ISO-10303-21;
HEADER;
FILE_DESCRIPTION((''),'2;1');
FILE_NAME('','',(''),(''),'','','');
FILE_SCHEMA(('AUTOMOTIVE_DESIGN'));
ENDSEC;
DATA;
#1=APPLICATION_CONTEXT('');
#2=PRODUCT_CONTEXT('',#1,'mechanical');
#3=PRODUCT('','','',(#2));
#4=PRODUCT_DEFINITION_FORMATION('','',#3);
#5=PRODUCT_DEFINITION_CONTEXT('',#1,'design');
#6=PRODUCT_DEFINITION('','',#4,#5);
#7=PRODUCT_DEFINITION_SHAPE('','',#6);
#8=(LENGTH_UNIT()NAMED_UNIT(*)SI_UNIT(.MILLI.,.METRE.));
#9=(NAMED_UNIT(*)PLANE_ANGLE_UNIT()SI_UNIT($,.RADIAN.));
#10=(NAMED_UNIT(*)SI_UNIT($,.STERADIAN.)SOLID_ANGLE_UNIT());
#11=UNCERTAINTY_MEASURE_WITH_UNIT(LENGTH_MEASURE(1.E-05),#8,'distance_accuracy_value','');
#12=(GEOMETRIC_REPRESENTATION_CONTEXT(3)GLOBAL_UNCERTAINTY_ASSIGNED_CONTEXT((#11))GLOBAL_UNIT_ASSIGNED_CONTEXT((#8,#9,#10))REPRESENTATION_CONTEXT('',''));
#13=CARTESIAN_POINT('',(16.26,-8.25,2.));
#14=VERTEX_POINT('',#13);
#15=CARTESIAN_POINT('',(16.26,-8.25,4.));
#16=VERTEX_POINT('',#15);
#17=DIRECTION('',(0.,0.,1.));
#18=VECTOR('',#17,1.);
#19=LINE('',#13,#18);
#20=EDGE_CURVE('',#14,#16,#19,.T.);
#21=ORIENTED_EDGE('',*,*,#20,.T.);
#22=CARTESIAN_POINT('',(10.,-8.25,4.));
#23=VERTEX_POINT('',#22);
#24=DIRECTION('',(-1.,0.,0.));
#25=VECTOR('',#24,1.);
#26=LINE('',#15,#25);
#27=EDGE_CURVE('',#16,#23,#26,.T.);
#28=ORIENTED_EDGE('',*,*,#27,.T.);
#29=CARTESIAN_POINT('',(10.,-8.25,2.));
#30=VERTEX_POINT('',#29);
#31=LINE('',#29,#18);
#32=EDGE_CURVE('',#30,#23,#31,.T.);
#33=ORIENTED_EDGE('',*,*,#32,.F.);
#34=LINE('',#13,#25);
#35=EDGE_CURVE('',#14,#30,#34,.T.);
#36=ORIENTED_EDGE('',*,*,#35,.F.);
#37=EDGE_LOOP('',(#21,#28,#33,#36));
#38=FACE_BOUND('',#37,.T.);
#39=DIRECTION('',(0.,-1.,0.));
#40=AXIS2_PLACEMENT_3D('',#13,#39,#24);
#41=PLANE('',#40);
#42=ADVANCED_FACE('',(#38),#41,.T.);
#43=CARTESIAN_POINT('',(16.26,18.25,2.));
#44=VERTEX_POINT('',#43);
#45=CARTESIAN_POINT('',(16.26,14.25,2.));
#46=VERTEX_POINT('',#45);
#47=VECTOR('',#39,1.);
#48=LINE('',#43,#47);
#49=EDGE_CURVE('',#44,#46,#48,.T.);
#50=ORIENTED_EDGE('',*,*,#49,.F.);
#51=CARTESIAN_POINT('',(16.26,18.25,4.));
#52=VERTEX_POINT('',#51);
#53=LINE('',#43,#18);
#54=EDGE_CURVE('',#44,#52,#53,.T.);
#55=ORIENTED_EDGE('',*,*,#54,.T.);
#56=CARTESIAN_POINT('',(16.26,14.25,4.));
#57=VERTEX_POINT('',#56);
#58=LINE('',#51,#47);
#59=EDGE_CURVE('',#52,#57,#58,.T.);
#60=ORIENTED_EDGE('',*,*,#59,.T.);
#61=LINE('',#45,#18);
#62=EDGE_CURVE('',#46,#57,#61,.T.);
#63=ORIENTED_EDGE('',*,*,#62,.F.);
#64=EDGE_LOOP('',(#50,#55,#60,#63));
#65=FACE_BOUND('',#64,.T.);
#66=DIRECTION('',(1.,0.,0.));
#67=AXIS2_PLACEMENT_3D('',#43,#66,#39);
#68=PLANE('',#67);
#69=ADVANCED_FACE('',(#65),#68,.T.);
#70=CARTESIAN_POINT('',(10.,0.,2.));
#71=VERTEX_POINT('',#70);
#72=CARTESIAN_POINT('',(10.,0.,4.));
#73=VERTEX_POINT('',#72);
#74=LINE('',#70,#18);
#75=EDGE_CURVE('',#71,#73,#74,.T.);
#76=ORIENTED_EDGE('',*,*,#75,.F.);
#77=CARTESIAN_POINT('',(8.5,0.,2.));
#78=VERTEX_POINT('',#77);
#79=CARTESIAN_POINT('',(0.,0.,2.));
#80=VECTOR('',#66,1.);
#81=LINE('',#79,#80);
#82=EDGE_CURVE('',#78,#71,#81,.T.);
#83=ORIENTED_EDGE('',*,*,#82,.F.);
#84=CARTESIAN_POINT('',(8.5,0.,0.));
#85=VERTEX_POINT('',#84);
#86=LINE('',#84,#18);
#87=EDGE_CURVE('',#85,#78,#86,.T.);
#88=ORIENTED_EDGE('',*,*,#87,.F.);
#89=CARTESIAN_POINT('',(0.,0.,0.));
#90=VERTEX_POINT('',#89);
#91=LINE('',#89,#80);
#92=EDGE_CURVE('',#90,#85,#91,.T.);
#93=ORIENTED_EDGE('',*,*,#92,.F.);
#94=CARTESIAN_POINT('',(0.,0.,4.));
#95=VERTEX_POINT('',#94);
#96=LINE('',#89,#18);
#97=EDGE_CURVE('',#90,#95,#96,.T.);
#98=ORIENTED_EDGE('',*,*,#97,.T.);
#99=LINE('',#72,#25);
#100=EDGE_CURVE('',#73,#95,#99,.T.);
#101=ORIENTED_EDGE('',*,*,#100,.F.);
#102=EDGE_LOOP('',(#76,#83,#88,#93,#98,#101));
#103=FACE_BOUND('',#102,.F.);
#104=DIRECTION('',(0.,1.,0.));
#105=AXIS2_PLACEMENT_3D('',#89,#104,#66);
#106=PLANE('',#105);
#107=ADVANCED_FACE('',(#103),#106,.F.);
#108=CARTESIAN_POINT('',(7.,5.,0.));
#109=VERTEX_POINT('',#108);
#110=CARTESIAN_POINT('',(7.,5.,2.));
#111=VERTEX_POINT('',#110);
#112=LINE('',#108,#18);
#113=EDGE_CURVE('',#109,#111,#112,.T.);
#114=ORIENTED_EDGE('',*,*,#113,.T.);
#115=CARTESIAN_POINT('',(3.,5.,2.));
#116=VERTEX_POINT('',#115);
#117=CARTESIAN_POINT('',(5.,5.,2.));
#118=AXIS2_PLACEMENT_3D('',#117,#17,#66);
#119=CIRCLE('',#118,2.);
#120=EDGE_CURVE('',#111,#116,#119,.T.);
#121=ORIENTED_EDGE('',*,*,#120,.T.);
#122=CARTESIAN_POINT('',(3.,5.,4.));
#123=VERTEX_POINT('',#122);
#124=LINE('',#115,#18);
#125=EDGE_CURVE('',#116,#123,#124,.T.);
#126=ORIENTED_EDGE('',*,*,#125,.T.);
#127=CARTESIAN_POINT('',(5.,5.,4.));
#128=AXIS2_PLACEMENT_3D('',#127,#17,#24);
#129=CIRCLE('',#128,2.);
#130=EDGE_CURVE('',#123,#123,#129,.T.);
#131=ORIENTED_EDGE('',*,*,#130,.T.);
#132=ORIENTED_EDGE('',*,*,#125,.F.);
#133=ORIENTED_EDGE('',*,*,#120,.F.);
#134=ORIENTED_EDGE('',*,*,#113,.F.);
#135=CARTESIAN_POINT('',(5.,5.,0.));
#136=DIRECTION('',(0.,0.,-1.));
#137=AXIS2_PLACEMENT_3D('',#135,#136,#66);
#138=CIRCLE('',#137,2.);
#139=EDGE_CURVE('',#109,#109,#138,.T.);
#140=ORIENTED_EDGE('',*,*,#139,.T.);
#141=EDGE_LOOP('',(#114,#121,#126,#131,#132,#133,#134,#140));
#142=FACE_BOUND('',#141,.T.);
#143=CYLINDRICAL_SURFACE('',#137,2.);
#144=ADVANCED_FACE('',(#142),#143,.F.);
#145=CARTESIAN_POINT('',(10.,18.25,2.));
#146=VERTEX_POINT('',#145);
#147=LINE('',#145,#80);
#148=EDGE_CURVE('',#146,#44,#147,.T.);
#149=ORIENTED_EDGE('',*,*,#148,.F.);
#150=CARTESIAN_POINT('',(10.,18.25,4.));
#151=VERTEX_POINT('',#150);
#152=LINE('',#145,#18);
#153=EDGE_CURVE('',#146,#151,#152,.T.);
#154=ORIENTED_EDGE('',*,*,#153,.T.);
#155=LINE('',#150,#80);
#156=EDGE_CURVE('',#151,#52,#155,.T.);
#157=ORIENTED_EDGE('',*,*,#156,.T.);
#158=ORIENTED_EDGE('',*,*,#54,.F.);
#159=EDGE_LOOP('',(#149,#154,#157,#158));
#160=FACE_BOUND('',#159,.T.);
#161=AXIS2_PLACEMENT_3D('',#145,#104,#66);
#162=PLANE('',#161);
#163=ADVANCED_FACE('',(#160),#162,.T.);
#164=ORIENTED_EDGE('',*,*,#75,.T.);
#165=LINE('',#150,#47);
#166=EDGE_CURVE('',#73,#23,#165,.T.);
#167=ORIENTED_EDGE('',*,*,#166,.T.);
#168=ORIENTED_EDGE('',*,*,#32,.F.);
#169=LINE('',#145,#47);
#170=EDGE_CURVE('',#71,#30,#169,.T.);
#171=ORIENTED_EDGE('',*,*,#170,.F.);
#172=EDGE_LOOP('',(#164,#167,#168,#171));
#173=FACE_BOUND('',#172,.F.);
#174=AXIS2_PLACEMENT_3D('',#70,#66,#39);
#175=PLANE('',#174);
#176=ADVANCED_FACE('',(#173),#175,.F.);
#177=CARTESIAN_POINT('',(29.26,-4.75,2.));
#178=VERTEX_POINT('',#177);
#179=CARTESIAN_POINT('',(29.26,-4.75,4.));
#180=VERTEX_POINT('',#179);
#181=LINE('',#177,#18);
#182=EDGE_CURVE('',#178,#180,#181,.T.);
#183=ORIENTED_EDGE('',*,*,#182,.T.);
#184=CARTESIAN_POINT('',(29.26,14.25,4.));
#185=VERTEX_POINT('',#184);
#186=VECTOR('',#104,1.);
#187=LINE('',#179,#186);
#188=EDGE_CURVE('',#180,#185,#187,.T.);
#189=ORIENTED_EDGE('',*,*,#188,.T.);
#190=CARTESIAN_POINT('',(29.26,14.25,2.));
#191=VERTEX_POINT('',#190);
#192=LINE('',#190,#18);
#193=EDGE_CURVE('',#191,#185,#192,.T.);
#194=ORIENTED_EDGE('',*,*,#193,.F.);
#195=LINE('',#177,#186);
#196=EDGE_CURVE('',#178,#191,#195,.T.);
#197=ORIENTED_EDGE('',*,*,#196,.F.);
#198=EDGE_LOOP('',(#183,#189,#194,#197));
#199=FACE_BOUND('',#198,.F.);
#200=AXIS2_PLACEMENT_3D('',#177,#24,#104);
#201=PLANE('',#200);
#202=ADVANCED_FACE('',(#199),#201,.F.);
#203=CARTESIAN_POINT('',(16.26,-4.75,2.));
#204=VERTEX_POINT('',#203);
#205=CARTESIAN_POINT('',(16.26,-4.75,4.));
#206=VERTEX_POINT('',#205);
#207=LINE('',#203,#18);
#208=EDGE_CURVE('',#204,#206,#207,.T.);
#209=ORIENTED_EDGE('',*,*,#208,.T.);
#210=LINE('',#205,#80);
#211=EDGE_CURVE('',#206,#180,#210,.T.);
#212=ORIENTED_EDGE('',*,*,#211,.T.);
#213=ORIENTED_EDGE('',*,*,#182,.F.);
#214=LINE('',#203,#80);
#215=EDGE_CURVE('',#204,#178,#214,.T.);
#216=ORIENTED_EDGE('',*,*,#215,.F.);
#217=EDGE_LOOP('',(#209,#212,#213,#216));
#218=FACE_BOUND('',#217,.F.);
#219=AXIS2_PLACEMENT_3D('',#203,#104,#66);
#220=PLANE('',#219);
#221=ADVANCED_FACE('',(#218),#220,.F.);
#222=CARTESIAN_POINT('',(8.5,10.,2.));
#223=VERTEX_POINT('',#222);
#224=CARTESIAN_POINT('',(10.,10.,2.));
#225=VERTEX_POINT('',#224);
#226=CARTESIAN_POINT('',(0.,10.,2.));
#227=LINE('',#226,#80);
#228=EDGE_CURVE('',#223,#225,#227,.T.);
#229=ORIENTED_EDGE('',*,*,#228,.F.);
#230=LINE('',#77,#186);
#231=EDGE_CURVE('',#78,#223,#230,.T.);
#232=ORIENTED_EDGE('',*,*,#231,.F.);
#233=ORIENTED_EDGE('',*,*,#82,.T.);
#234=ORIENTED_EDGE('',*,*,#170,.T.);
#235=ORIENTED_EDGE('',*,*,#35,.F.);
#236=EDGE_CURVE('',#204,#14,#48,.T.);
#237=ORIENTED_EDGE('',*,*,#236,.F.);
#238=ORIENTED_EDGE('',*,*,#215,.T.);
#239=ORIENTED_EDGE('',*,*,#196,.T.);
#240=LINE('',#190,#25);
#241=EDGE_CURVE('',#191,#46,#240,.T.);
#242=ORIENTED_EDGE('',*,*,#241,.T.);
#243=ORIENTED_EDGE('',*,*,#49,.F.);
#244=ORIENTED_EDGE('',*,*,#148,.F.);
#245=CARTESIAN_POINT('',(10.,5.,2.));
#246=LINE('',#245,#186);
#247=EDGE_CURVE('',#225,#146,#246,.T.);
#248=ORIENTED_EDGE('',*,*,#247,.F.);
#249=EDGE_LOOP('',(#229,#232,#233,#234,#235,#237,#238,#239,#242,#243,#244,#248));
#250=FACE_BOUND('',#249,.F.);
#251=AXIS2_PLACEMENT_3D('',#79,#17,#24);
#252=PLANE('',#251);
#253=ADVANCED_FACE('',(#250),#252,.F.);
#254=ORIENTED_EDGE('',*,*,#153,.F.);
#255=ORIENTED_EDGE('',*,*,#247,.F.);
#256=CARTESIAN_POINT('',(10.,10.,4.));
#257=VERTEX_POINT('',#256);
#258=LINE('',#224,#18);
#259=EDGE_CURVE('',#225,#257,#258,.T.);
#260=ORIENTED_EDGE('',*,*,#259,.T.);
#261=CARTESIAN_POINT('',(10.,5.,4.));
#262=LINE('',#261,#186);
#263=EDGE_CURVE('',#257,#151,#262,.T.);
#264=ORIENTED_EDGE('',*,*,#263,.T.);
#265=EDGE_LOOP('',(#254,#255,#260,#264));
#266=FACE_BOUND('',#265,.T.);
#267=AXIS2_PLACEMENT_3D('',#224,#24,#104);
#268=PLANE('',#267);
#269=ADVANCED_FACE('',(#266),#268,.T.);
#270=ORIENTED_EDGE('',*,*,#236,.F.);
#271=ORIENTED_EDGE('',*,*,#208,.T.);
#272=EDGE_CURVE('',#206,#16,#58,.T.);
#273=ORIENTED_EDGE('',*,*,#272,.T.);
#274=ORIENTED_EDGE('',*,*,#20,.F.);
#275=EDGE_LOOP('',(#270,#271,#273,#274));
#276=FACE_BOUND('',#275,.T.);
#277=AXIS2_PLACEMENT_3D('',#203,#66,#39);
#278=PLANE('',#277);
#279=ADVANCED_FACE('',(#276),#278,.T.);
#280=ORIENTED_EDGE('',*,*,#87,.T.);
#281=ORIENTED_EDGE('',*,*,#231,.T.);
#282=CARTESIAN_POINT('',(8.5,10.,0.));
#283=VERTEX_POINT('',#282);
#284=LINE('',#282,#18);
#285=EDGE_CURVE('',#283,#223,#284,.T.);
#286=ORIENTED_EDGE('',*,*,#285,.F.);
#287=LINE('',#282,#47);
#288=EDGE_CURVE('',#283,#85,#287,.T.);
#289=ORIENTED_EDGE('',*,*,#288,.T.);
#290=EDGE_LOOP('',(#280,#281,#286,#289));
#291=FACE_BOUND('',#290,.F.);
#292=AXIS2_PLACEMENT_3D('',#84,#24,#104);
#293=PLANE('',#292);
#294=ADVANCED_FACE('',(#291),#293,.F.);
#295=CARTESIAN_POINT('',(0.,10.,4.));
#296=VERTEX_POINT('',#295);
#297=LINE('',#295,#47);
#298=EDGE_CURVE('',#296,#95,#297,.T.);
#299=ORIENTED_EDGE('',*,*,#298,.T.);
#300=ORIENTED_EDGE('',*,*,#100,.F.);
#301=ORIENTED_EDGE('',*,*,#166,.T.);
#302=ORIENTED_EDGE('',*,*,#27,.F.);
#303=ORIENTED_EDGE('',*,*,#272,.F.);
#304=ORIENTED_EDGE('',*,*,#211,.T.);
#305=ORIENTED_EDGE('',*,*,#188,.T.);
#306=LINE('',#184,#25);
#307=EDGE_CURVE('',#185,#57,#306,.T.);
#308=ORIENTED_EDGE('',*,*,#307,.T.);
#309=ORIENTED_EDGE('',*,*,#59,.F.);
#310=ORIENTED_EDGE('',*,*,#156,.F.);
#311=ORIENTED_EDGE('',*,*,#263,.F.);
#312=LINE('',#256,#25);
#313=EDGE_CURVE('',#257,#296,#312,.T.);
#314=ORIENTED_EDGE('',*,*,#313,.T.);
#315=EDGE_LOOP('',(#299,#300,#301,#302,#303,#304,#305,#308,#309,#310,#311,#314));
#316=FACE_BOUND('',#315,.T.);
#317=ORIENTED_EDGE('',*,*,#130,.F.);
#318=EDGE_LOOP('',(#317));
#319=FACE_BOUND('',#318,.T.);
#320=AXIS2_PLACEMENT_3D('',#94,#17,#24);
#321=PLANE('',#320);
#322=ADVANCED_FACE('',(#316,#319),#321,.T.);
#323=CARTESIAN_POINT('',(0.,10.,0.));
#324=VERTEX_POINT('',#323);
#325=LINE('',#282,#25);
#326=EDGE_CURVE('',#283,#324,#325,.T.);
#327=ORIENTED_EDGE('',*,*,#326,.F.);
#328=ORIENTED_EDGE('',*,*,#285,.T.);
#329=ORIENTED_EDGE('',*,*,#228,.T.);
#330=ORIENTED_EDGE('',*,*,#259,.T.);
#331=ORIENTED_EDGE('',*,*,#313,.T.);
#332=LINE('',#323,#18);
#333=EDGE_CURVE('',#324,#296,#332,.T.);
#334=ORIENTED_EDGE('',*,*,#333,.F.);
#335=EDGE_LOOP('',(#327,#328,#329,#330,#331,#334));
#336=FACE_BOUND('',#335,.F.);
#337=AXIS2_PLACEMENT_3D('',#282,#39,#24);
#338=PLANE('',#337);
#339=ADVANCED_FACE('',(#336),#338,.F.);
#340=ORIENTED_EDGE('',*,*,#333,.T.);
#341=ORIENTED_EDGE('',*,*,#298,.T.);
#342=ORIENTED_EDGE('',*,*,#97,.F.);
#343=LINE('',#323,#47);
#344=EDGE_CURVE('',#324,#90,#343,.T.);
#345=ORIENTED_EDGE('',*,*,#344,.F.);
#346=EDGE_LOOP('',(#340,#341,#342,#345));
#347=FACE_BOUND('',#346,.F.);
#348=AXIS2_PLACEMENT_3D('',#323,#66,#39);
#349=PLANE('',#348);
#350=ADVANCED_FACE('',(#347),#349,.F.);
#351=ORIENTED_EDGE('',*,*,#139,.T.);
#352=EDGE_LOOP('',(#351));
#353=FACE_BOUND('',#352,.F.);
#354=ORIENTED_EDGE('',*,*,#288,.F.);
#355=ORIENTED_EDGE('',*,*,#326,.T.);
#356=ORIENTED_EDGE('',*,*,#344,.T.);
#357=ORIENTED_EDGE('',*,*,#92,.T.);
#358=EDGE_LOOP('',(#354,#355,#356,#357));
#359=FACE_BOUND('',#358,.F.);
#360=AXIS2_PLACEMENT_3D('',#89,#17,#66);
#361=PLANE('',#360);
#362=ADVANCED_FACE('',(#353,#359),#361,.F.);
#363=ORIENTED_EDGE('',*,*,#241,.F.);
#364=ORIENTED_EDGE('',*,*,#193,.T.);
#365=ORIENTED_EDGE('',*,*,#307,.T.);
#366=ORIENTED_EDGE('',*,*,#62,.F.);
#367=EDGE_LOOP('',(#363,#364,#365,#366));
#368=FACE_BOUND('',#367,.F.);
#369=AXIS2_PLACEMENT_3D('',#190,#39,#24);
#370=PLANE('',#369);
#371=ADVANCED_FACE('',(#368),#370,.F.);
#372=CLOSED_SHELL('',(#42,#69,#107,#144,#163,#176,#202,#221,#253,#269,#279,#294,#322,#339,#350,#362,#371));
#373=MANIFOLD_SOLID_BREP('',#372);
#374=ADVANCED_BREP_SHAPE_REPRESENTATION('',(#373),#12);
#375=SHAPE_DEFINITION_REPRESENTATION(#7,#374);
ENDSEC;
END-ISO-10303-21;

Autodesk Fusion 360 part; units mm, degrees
sketch "Sketch1" plane through (0, 0, 0) normal (0, 0, 1) x (1, 0, 0)
  line L0 (0, 0) -> (8.5, 0)
  line L1 (8.5, 0) -> (8.5, 10)
  line L2 (8.5, 10) -> (0, 10)
  line L3 (0, 10) -> (0, 0)
  line L4 (0, 10) -> (10, 10)
  line L5 (10, 10) -> (10, 0)
  line L6 (10, 0) -> (0, 0)
  line L7 (0, 0) -> (0, 10)
  line L8 (0, 10) -> (10, 0)
  line L9 (0, 0) -> (10, 10)
  circle A0 centre (5, 5) radius 2
  dimension "d1" = 8.5
  dimension "d2" = 10
  dimension "d3" = 10
  dimension "d4" = 10
  dimension "d5" = 4
extrude "Extrude1" add sketch "Sketch1" along normal blind 2 contours L0 L1 L6 L8 L9 A0 | L3 L7 L8 L9 A0 | L1 L2 L4 L8 L9 A0 | L1 L8 L9 A0
sketch "Sketch2" plane through (0, 0, 2) normal (0, 0, 1) x (-1, 0, 0)
  circle A0 centre (-5, -5) radius 2
  line L0 (-8.5, 0) -> (-8.5, -10)
  line L1 (-8.5, -10) -> (0, -10)
  line L2 (0, -10) -> (0, 0)
  line L3 (0, 0) -> (-8.5, 0)
  line L4 (-8.5, -10) -> (-10, -10)
  line L5 (-10, -10) -> (-10, 0)
  line L6 (-10, 0) -> (-8.5, 0)
  line L7 (-8.5, 0) -> (-8.5, -10)
  line L8 (-10, -5) -> (-10, -18.25)
  line L9 (-10, -18.25) -> (-10, 8.25)
  line L10 (-10, -18.25) -> (-16.26, -18.25)
  line L11 (-16.26, -18.25) -> (-16.26, 8.25)
  line L12 (-16.26, 8.25) -> (-10, 8.25)
  line L13 (-10, 8.25) -> (-10, -18.25)
  line L14 (-16.26, 8.25) -> (-16.26, 4.75)
  line L15 (-16.26, 4.75) -> (-29.26, 4.75)
  line L16 (-29.26, 4.75) -> (-29.26, -14.25)
  line L17 (-29.26, -14.25) -> (-16.26, -14.25)
  line L18 (-16.26, -14.25) -> (-16.26, 4.75)
  dimension "d8" = 1.5
  dimension "d9" = 13.25
  dimension "d10" = 26.5
  dimension "d11" = 6.26
  dimension "d12" = 26.5
  dimension "d13" = 3.5
  dimension "d14" = 13
  dimension "d15" = 19
extrude "Extrude2" add sketch "Sketch2" along normal blind 2
